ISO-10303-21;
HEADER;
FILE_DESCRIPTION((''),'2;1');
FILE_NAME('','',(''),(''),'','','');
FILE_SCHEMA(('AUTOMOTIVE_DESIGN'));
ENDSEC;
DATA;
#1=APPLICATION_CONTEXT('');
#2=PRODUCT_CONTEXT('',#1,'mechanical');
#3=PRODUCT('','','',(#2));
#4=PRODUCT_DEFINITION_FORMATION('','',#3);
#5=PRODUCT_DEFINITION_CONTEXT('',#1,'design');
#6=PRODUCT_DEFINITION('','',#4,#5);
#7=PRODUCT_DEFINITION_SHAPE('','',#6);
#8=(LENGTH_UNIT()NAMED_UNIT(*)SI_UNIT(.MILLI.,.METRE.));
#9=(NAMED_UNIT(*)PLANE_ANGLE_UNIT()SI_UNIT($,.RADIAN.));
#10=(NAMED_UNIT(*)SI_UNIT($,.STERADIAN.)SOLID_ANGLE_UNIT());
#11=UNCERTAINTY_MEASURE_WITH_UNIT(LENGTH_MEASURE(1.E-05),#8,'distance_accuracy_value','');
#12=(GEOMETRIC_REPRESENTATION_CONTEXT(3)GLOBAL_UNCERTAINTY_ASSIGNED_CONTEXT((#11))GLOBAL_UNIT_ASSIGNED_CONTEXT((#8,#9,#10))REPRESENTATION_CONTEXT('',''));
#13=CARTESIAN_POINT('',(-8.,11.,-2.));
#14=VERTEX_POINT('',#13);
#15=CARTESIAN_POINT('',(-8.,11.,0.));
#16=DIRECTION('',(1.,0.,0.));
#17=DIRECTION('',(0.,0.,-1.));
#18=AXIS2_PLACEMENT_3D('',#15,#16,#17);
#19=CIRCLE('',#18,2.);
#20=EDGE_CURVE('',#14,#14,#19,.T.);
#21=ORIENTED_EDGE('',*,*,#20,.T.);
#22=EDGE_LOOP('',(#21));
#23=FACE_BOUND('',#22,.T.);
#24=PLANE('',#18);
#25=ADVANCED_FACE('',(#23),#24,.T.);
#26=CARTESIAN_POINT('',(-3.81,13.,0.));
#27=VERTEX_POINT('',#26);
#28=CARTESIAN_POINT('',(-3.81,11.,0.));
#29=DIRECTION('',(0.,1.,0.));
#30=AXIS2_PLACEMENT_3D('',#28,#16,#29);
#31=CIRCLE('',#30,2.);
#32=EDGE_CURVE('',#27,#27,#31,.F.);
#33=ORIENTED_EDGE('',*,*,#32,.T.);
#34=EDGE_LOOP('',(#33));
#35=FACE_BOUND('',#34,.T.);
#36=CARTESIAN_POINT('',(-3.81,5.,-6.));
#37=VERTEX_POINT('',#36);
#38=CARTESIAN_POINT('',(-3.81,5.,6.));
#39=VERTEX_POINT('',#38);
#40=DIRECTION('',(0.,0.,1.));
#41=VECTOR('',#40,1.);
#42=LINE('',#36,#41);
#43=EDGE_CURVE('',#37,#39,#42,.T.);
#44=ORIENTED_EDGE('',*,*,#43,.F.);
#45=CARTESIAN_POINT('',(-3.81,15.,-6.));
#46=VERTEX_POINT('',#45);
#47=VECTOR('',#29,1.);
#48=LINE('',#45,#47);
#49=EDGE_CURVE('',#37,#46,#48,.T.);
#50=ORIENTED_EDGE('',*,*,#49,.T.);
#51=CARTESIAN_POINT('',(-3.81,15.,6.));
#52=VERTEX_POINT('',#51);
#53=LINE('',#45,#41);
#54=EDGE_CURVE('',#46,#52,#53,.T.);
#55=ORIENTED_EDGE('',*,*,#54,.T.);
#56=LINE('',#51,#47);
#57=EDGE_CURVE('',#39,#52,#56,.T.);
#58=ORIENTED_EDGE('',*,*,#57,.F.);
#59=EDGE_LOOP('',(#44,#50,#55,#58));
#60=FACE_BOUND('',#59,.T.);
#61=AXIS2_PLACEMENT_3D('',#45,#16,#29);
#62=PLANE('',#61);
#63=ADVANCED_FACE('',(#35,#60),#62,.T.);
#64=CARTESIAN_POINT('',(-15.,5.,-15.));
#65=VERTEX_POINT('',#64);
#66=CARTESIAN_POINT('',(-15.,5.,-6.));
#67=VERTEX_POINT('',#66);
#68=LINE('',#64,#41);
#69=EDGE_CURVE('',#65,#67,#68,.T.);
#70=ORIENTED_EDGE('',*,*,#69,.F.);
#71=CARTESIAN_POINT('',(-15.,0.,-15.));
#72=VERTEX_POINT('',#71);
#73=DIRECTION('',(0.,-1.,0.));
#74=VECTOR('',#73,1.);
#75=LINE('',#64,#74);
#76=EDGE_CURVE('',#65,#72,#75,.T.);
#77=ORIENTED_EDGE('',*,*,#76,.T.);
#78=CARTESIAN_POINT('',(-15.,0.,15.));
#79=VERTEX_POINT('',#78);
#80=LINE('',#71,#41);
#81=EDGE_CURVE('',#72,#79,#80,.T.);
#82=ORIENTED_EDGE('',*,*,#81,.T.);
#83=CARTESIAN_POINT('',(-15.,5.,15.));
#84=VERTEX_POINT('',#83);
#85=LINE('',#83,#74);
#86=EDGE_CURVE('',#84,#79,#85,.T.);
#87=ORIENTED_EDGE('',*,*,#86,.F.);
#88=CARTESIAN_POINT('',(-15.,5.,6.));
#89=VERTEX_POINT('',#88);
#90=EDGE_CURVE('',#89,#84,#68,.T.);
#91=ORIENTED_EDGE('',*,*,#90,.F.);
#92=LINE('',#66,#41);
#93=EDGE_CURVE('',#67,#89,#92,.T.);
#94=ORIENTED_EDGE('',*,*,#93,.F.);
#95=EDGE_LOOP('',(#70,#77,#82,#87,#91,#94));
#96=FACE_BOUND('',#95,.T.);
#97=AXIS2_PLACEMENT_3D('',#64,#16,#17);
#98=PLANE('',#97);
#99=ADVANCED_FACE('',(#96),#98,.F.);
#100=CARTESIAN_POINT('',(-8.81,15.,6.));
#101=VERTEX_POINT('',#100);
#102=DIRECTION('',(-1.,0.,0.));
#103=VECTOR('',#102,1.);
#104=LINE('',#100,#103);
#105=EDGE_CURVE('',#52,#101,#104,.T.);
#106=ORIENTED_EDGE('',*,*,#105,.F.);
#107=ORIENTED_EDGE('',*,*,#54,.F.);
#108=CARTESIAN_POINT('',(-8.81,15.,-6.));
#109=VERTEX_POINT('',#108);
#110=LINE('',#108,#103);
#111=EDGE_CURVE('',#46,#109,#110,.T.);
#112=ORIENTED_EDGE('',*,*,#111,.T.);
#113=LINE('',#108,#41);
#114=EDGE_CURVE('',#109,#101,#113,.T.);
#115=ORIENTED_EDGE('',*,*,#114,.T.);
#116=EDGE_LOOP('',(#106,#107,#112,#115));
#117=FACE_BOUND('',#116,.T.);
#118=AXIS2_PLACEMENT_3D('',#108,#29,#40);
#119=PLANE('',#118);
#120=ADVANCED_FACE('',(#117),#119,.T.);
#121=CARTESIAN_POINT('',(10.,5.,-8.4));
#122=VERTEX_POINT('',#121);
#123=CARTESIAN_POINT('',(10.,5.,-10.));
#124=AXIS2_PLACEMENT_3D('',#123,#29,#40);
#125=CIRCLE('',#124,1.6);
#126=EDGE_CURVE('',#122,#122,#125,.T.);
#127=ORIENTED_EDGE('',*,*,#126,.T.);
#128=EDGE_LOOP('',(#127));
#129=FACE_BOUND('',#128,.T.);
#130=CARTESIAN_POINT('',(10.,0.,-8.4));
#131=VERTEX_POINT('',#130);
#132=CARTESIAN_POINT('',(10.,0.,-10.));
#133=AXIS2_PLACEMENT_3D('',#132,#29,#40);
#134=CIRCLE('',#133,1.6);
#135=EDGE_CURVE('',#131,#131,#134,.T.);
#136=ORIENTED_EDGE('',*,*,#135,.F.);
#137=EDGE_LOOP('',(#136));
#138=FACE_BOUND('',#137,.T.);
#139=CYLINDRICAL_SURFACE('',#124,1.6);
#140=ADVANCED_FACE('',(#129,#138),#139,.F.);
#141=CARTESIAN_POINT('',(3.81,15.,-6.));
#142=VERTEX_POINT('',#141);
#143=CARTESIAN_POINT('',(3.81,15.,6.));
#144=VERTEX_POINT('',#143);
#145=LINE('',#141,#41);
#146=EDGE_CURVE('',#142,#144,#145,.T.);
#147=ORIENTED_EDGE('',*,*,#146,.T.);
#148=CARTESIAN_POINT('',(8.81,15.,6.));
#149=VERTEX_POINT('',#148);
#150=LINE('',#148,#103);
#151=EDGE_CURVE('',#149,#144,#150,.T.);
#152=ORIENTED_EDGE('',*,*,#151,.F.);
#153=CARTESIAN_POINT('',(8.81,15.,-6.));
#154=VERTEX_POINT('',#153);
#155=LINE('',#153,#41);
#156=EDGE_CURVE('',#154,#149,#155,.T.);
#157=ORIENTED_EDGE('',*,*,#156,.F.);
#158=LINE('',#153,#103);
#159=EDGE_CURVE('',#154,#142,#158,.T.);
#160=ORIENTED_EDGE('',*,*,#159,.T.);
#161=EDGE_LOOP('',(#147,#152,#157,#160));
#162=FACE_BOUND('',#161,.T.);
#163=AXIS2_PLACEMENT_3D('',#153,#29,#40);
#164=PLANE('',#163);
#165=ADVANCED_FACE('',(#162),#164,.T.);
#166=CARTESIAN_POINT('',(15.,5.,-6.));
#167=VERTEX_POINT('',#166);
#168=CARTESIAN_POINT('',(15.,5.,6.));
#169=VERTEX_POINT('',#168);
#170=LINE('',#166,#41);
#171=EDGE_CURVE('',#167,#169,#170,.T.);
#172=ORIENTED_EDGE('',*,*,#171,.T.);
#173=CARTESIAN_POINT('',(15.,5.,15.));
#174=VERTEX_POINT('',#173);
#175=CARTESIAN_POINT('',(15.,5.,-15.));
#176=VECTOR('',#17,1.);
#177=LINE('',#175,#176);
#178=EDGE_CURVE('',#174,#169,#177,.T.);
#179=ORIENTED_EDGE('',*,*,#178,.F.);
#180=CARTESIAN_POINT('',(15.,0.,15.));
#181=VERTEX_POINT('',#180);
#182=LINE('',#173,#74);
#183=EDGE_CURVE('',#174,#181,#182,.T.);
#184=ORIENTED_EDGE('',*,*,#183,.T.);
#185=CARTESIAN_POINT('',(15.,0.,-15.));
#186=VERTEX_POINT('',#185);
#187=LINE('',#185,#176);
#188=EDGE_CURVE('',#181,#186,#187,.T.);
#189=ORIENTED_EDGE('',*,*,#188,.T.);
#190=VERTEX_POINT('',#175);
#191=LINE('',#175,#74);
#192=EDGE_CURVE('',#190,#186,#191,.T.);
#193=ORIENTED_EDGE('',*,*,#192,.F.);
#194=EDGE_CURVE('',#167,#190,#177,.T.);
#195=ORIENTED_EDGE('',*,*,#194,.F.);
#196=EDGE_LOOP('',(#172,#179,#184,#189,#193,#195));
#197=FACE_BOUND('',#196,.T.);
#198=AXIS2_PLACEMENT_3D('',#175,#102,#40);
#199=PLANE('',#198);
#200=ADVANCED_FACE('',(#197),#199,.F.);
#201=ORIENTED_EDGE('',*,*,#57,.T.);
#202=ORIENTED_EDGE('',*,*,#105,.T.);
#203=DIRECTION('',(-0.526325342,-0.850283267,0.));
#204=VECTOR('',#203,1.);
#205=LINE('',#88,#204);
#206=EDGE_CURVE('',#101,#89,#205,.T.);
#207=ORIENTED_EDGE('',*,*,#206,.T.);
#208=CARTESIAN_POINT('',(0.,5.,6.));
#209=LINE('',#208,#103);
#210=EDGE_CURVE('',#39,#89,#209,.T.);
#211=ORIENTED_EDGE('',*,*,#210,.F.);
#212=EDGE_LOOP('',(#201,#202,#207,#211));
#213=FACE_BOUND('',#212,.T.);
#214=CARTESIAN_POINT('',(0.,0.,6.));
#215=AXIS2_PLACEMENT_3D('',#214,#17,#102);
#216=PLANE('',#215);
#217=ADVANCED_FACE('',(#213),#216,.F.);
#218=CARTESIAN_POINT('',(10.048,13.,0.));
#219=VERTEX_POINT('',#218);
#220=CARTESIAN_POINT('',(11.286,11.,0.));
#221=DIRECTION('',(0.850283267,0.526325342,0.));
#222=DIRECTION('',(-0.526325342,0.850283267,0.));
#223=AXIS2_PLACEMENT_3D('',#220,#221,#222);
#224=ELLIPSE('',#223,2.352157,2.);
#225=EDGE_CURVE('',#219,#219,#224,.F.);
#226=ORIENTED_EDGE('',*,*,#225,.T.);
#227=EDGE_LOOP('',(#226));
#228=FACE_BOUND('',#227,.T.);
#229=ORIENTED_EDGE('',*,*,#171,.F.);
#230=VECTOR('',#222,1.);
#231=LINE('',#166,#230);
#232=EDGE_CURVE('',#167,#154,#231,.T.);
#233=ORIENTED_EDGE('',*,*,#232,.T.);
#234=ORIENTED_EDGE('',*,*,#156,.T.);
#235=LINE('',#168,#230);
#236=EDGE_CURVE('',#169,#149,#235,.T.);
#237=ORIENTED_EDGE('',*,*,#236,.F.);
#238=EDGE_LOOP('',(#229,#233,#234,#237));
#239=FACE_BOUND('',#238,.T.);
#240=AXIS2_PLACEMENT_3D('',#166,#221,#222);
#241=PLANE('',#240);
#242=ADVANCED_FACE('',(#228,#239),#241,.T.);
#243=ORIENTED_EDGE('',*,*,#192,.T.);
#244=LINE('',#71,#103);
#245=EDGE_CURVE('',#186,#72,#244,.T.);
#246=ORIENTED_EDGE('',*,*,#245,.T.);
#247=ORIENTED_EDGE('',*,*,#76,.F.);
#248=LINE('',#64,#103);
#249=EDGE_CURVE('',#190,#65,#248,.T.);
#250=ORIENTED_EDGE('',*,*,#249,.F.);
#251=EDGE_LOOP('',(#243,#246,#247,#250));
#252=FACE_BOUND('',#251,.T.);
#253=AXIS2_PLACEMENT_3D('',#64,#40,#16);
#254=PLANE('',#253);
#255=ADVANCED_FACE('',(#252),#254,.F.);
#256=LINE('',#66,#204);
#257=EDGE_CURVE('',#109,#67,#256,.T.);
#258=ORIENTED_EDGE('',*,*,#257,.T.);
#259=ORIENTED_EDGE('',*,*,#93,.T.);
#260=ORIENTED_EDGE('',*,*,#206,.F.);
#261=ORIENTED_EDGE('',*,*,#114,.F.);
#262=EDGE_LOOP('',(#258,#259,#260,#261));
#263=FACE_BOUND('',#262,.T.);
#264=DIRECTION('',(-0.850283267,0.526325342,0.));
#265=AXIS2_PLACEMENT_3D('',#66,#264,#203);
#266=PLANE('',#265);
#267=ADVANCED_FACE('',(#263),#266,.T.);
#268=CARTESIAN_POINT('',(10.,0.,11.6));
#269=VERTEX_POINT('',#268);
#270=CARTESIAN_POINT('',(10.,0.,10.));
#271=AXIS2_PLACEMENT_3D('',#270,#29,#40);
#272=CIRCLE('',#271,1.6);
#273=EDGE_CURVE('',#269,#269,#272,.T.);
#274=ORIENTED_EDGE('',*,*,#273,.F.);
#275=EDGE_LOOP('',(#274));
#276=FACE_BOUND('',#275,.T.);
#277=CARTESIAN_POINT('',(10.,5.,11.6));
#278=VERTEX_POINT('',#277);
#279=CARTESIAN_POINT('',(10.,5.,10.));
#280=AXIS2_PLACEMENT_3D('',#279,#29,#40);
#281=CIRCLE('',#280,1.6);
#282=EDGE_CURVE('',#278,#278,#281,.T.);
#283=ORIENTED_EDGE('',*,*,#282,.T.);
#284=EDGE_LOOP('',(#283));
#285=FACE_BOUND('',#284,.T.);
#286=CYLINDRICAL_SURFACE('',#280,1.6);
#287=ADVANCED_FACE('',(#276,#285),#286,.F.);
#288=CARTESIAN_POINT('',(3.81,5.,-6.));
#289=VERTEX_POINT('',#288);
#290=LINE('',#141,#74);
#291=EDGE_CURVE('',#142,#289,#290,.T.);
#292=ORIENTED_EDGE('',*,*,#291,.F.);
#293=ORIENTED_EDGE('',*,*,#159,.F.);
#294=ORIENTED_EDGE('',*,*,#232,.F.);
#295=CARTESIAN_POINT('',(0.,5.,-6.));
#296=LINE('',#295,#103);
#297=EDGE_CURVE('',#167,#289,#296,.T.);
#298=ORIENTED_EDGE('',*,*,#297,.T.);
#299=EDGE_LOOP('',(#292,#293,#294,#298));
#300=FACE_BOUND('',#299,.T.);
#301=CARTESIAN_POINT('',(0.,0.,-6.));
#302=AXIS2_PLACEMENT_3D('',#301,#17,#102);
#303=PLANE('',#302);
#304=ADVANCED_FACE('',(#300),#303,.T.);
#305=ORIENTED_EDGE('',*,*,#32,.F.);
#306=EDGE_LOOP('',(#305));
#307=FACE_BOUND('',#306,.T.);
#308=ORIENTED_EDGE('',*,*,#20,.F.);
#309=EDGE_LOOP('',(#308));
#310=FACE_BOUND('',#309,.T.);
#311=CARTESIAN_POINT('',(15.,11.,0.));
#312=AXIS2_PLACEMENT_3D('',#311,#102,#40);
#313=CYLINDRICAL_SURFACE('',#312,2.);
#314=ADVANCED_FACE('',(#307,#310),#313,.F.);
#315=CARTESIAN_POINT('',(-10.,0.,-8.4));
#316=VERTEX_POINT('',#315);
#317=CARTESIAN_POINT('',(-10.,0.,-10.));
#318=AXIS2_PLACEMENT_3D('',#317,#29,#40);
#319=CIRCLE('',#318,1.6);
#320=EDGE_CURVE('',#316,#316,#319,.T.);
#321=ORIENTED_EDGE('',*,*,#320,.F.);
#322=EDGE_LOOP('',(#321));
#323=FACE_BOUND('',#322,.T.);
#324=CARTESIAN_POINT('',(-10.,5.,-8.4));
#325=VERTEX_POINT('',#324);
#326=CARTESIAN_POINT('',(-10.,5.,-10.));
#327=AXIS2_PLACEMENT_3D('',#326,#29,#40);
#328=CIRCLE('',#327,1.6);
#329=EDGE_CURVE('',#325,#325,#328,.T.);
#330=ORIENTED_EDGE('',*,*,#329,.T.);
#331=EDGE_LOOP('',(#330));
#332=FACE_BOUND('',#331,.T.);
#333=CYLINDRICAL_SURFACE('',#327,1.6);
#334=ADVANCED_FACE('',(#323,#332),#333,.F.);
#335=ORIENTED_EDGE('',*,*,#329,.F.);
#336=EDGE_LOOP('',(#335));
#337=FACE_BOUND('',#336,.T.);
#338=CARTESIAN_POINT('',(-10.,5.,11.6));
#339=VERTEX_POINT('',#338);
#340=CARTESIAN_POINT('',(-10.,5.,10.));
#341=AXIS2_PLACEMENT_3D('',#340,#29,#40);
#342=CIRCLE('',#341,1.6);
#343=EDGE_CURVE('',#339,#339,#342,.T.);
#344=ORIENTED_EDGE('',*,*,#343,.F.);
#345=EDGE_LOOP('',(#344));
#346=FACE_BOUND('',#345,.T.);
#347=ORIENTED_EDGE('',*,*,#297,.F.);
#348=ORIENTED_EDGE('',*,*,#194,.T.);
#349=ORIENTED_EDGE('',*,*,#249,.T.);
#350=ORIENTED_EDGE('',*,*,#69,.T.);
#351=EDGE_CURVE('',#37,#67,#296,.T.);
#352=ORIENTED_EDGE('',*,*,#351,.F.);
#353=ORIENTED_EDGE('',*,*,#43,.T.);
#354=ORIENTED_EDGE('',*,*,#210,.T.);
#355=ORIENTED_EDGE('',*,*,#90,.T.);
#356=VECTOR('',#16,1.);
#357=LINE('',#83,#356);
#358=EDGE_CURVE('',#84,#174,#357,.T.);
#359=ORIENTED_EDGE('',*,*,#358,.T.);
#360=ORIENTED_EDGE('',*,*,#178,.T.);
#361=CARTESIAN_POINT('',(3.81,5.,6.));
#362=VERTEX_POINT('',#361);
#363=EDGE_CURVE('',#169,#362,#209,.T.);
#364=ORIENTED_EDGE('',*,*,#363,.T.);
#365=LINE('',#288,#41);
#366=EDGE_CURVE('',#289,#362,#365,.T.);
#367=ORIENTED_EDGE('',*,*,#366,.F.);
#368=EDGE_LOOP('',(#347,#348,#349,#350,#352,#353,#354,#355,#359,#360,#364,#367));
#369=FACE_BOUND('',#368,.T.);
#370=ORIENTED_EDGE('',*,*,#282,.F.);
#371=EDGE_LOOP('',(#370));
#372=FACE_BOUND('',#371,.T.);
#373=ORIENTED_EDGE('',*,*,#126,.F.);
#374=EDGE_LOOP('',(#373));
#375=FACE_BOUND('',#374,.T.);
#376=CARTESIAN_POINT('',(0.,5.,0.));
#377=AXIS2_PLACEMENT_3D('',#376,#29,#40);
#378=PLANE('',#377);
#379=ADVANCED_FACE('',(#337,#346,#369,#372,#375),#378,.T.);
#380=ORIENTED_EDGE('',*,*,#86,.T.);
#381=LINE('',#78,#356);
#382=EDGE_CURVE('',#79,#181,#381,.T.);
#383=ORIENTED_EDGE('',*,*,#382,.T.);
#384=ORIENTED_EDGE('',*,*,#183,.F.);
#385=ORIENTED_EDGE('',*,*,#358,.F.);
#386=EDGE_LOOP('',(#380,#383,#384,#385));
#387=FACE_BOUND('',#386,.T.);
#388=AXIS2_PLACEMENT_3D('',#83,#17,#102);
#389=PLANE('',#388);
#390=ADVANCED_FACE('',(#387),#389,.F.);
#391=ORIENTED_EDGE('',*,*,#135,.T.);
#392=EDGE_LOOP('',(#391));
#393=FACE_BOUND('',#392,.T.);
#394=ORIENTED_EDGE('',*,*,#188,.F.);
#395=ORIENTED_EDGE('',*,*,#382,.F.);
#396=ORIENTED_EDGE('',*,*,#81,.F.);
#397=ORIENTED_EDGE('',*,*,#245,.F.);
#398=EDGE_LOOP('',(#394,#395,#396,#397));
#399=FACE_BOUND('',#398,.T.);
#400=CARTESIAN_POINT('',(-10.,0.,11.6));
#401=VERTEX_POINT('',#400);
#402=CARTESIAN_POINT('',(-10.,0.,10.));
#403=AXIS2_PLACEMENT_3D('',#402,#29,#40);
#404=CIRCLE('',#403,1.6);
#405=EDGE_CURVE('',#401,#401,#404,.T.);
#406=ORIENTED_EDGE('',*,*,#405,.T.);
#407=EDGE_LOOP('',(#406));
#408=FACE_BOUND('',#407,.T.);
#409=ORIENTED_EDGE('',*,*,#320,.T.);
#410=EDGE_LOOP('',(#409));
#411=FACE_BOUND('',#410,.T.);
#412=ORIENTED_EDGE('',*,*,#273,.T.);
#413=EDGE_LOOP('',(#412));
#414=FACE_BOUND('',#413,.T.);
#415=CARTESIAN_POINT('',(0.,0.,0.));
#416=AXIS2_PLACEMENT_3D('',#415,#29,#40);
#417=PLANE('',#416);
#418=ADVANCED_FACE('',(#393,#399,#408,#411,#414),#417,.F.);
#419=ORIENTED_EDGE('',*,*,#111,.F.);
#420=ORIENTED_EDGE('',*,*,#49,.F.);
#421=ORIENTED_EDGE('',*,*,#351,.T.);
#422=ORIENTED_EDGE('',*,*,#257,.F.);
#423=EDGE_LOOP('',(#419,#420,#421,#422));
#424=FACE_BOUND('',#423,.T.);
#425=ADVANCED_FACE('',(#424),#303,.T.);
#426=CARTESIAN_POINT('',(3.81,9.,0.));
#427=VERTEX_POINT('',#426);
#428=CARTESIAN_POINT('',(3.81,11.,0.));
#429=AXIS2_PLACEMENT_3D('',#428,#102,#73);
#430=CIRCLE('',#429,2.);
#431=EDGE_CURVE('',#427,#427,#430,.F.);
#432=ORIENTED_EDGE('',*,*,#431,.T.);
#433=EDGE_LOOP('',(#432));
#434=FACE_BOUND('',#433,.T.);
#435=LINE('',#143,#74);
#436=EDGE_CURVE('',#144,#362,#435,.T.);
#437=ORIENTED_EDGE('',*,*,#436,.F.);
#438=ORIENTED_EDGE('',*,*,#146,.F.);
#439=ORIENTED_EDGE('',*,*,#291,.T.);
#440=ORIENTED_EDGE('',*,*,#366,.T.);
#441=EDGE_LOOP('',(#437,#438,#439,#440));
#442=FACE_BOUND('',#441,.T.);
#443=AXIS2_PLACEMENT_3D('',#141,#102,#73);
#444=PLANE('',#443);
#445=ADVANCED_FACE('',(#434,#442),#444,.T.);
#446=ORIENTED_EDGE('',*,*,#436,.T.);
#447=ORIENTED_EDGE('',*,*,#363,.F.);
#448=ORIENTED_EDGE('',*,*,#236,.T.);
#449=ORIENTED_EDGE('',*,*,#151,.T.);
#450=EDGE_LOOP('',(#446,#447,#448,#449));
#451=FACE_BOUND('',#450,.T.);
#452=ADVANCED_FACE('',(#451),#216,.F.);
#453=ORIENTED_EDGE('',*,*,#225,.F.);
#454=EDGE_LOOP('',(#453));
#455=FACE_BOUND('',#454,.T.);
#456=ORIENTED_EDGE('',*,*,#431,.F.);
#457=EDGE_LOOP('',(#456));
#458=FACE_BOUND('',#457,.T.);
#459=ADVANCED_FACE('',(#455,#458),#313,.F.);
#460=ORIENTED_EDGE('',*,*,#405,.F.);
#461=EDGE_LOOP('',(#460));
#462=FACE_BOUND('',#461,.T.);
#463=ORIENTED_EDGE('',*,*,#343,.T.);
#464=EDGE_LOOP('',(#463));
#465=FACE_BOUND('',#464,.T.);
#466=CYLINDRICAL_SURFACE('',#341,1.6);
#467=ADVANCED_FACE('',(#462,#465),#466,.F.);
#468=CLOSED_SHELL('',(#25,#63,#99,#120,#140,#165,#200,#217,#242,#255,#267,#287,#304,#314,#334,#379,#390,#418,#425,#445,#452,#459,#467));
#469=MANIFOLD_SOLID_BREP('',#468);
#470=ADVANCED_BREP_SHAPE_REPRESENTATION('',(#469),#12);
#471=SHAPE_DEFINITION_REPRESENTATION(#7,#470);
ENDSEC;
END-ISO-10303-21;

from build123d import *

# Parameters (mm, degrees)
SKETCH1_W                = 30
SKETCH1_H                = 30
BOSS_EXTRUDE1_DEPTH      = 5
BOSS_EXTRUDE2_DEPTH      = 6
BOSS_EXTRUDE2_DEPTH_BACK = 6
M3_CLEARANCE_HOLE1_D     = 3.2
CUT_EXTRUDE1_DEPTH       = 26.980762114
CUT_EXTRUDE1_DEPTH_BACK  = 8
SKETCH5_R                = 2


with BuildPart() as part:
    # Sketch1 → Boss-Extrude1 (new body)
    with BuildSketch(Plane(origin=(0, 0, 0), x_dir=(1, 0, 0), z_dir=(0, 1, 0))):
        Rectangle(SKETCH1_W, SKETCH1_H)
    extrude(amount=BOSS_EXTRUDE1_DEPTH)

    # Sketch2 → Boss-Extrude2 (add, two sides: drawn at the far end of the back side and taken through both)
    with BuildSketch(Plane.XY.offset(-BOSS_EXTRUDE2_DEPTH_BACK)):
        Polygon((15, 0), (-15, 0), (-15, 5), (-8.81, 15), (-3.81, 15), (-3.81, 5), (3.81, 5), (3.81, 15), (8.81, 15), (15, 5), align=None)
    extrude(amount=BOSS_EXTRUDE2_DEPTH + BOSS_EXTRUDE2_DEPTH_BACK)

    # M3 Clearance Hole1 (through all)
    with Locations(Plane(origin=(0, 5, 0), x_dir=(1, 0, 0), z_dir=(0, 1, 0))):
        with Locations((-10, 10), (10, 10), (10, -10), (-10, -10)):
            Hole(M3_CLEARANCE_HOLE1_D / 2)

    # Sketch5 → Cut-Extrude1 (cut, two sides: drawn at the far end of the back side and taken through both)
    with BuildSketch(Plane(origin=(0, 0, 0), x_dir=(0, 0, -1), z_dir=(1, 0, 0)).offset(-CUT_EXTRUDE1_DEPTH_BACK)):
        with Locations(Location((0, 11, 0), (0, 0, 270))):
            Circle(SKETCH5_R)
    extrude(amount=CUT_EXTRUDE1_DEPTH + CUT_EXTRUDE1_DEPTH_BACK, mode=Mode.SUBTRACT)


solid = part.part
